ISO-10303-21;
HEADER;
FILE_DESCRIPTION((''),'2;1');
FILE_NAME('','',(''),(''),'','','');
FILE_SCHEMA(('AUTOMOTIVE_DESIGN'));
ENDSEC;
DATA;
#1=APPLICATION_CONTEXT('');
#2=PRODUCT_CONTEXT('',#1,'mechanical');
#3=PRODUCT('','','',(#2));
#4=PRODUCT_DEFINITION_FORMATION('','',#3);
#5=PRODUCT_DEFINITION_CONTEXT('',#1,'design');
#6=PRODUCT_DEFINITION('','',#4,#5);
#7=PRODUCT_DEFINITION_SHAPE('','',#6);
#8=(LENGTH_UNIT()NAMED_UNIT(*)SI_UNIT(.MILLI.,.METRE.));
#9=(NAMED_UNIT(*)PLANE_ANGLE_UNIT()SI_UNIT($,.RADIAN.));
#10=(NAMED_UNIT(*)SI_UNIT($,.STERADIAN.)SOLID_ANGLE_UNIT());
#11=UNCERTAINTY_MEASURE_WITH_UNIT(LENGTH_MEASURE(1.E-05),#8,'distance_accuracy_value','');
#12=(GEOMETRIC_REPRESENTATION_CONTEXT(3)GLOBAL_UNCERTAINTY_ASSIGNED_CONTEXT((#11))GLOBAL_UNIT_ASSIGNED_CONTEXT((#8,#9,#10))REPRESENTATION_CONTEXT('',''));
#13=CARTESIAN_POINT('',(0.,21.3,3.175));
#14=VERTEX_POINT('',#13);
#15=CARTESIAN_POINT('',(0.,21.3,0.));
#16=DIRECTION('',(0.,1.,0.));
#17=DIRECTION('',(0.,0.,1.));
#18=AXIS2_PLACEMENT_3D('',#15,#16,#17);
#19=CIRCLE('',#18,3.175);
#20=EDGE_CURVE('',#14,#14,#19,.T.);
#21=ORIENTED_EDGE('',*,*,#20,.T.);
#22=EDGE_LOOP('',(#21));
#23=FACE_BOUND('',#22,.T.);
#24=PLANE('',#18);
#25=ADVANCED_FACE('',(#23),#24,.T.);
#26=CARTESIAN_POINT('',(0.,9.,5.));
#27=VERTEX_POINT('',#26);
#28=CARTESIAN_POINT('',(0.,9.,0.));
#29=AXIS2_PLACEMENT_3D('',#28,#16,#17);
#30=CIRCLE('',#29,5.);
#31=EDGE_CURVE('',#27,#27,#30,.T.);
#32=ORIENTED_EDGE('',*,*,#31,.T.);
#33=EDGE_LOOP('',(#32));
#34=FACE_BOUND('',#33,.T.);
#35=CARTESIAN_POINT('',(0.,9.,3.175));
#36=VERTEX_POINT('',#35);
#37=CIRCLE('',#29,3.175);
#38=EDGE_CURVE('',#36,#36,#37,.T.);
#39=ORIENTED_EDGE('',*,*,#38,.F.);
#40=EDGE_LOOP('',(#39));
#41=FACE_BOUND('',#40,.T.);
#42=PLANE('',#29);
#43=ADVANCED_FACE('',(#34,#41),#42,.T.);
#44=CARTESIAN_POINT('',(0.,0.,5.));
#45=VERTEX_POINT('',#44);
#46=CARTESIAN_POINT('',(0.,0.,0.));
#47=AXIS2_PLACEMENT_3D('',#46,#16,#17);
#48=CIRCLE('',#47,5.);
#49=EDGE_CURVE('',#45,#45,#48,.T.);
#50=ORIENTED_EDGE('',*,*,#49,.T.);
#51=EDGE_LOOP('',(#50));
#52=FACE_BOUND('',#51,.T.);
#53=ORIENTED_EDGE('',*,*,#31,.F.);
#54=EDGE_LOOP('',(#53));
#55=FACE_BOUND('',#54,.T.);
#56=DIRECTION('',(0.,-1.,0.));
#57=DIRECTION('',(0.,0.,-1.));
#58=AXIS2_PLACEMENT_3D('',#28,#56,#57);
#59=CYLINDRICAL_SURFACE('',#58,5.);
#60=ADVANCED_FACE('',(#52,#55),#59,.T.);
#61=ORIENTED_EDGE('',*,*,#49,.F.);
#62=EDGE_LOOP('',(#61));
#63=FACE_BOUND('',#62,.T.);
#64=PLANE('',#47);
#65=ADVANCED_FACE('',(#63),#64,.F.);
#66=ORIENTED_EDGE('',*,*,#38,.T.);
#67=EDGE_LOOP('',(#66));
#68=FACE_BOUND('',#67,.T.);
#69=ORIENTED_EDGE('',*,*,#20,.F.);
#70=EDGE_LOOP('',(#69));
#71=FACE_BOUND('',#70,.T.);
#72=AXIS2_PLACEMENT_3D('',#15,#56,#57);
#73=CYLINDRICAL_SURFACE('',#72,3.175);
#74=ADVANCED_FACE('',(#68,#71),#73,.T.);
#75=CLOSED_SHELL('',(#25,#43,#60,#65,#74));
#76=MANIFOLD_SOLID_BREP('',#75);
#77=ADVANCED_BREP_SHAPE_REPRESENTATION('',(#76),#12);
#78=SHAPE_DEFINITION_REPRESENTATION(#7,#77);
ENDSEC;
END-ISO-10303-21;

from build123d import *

# Parameters (mm, degrees)
SKETCH_1_R      = 5
EXTRUDE_1_DEPTH = 9
SKETCH_2_R      = 3.175
EXTRUDE_2_DEPTH = 12.3


with BuildPart() as part:
    # Эскиз1 → Бобышка-Вытянуть1 (new body)
    with BuildSketch(Plane(origin=(0, 0, 0), x_dir=(1, 0, 0), z_dir=(0, 1, 0))):
        Circle(SKETCH_1_R)
    extrude(amount=EXTRUDE_1_DEPTH)

    # Эскиз2 → Бобышка-Вытянуть2 (add)
    with BuildSketch(Plane(origin=(0, 9, 0), x_dir=(1, 0, 0), z_dir=(0, 1, 0))):
        Circle(SKETCH_2_R)
    extrude(amount=EXTRUDE_2_DEPTH)


solid = part.part
